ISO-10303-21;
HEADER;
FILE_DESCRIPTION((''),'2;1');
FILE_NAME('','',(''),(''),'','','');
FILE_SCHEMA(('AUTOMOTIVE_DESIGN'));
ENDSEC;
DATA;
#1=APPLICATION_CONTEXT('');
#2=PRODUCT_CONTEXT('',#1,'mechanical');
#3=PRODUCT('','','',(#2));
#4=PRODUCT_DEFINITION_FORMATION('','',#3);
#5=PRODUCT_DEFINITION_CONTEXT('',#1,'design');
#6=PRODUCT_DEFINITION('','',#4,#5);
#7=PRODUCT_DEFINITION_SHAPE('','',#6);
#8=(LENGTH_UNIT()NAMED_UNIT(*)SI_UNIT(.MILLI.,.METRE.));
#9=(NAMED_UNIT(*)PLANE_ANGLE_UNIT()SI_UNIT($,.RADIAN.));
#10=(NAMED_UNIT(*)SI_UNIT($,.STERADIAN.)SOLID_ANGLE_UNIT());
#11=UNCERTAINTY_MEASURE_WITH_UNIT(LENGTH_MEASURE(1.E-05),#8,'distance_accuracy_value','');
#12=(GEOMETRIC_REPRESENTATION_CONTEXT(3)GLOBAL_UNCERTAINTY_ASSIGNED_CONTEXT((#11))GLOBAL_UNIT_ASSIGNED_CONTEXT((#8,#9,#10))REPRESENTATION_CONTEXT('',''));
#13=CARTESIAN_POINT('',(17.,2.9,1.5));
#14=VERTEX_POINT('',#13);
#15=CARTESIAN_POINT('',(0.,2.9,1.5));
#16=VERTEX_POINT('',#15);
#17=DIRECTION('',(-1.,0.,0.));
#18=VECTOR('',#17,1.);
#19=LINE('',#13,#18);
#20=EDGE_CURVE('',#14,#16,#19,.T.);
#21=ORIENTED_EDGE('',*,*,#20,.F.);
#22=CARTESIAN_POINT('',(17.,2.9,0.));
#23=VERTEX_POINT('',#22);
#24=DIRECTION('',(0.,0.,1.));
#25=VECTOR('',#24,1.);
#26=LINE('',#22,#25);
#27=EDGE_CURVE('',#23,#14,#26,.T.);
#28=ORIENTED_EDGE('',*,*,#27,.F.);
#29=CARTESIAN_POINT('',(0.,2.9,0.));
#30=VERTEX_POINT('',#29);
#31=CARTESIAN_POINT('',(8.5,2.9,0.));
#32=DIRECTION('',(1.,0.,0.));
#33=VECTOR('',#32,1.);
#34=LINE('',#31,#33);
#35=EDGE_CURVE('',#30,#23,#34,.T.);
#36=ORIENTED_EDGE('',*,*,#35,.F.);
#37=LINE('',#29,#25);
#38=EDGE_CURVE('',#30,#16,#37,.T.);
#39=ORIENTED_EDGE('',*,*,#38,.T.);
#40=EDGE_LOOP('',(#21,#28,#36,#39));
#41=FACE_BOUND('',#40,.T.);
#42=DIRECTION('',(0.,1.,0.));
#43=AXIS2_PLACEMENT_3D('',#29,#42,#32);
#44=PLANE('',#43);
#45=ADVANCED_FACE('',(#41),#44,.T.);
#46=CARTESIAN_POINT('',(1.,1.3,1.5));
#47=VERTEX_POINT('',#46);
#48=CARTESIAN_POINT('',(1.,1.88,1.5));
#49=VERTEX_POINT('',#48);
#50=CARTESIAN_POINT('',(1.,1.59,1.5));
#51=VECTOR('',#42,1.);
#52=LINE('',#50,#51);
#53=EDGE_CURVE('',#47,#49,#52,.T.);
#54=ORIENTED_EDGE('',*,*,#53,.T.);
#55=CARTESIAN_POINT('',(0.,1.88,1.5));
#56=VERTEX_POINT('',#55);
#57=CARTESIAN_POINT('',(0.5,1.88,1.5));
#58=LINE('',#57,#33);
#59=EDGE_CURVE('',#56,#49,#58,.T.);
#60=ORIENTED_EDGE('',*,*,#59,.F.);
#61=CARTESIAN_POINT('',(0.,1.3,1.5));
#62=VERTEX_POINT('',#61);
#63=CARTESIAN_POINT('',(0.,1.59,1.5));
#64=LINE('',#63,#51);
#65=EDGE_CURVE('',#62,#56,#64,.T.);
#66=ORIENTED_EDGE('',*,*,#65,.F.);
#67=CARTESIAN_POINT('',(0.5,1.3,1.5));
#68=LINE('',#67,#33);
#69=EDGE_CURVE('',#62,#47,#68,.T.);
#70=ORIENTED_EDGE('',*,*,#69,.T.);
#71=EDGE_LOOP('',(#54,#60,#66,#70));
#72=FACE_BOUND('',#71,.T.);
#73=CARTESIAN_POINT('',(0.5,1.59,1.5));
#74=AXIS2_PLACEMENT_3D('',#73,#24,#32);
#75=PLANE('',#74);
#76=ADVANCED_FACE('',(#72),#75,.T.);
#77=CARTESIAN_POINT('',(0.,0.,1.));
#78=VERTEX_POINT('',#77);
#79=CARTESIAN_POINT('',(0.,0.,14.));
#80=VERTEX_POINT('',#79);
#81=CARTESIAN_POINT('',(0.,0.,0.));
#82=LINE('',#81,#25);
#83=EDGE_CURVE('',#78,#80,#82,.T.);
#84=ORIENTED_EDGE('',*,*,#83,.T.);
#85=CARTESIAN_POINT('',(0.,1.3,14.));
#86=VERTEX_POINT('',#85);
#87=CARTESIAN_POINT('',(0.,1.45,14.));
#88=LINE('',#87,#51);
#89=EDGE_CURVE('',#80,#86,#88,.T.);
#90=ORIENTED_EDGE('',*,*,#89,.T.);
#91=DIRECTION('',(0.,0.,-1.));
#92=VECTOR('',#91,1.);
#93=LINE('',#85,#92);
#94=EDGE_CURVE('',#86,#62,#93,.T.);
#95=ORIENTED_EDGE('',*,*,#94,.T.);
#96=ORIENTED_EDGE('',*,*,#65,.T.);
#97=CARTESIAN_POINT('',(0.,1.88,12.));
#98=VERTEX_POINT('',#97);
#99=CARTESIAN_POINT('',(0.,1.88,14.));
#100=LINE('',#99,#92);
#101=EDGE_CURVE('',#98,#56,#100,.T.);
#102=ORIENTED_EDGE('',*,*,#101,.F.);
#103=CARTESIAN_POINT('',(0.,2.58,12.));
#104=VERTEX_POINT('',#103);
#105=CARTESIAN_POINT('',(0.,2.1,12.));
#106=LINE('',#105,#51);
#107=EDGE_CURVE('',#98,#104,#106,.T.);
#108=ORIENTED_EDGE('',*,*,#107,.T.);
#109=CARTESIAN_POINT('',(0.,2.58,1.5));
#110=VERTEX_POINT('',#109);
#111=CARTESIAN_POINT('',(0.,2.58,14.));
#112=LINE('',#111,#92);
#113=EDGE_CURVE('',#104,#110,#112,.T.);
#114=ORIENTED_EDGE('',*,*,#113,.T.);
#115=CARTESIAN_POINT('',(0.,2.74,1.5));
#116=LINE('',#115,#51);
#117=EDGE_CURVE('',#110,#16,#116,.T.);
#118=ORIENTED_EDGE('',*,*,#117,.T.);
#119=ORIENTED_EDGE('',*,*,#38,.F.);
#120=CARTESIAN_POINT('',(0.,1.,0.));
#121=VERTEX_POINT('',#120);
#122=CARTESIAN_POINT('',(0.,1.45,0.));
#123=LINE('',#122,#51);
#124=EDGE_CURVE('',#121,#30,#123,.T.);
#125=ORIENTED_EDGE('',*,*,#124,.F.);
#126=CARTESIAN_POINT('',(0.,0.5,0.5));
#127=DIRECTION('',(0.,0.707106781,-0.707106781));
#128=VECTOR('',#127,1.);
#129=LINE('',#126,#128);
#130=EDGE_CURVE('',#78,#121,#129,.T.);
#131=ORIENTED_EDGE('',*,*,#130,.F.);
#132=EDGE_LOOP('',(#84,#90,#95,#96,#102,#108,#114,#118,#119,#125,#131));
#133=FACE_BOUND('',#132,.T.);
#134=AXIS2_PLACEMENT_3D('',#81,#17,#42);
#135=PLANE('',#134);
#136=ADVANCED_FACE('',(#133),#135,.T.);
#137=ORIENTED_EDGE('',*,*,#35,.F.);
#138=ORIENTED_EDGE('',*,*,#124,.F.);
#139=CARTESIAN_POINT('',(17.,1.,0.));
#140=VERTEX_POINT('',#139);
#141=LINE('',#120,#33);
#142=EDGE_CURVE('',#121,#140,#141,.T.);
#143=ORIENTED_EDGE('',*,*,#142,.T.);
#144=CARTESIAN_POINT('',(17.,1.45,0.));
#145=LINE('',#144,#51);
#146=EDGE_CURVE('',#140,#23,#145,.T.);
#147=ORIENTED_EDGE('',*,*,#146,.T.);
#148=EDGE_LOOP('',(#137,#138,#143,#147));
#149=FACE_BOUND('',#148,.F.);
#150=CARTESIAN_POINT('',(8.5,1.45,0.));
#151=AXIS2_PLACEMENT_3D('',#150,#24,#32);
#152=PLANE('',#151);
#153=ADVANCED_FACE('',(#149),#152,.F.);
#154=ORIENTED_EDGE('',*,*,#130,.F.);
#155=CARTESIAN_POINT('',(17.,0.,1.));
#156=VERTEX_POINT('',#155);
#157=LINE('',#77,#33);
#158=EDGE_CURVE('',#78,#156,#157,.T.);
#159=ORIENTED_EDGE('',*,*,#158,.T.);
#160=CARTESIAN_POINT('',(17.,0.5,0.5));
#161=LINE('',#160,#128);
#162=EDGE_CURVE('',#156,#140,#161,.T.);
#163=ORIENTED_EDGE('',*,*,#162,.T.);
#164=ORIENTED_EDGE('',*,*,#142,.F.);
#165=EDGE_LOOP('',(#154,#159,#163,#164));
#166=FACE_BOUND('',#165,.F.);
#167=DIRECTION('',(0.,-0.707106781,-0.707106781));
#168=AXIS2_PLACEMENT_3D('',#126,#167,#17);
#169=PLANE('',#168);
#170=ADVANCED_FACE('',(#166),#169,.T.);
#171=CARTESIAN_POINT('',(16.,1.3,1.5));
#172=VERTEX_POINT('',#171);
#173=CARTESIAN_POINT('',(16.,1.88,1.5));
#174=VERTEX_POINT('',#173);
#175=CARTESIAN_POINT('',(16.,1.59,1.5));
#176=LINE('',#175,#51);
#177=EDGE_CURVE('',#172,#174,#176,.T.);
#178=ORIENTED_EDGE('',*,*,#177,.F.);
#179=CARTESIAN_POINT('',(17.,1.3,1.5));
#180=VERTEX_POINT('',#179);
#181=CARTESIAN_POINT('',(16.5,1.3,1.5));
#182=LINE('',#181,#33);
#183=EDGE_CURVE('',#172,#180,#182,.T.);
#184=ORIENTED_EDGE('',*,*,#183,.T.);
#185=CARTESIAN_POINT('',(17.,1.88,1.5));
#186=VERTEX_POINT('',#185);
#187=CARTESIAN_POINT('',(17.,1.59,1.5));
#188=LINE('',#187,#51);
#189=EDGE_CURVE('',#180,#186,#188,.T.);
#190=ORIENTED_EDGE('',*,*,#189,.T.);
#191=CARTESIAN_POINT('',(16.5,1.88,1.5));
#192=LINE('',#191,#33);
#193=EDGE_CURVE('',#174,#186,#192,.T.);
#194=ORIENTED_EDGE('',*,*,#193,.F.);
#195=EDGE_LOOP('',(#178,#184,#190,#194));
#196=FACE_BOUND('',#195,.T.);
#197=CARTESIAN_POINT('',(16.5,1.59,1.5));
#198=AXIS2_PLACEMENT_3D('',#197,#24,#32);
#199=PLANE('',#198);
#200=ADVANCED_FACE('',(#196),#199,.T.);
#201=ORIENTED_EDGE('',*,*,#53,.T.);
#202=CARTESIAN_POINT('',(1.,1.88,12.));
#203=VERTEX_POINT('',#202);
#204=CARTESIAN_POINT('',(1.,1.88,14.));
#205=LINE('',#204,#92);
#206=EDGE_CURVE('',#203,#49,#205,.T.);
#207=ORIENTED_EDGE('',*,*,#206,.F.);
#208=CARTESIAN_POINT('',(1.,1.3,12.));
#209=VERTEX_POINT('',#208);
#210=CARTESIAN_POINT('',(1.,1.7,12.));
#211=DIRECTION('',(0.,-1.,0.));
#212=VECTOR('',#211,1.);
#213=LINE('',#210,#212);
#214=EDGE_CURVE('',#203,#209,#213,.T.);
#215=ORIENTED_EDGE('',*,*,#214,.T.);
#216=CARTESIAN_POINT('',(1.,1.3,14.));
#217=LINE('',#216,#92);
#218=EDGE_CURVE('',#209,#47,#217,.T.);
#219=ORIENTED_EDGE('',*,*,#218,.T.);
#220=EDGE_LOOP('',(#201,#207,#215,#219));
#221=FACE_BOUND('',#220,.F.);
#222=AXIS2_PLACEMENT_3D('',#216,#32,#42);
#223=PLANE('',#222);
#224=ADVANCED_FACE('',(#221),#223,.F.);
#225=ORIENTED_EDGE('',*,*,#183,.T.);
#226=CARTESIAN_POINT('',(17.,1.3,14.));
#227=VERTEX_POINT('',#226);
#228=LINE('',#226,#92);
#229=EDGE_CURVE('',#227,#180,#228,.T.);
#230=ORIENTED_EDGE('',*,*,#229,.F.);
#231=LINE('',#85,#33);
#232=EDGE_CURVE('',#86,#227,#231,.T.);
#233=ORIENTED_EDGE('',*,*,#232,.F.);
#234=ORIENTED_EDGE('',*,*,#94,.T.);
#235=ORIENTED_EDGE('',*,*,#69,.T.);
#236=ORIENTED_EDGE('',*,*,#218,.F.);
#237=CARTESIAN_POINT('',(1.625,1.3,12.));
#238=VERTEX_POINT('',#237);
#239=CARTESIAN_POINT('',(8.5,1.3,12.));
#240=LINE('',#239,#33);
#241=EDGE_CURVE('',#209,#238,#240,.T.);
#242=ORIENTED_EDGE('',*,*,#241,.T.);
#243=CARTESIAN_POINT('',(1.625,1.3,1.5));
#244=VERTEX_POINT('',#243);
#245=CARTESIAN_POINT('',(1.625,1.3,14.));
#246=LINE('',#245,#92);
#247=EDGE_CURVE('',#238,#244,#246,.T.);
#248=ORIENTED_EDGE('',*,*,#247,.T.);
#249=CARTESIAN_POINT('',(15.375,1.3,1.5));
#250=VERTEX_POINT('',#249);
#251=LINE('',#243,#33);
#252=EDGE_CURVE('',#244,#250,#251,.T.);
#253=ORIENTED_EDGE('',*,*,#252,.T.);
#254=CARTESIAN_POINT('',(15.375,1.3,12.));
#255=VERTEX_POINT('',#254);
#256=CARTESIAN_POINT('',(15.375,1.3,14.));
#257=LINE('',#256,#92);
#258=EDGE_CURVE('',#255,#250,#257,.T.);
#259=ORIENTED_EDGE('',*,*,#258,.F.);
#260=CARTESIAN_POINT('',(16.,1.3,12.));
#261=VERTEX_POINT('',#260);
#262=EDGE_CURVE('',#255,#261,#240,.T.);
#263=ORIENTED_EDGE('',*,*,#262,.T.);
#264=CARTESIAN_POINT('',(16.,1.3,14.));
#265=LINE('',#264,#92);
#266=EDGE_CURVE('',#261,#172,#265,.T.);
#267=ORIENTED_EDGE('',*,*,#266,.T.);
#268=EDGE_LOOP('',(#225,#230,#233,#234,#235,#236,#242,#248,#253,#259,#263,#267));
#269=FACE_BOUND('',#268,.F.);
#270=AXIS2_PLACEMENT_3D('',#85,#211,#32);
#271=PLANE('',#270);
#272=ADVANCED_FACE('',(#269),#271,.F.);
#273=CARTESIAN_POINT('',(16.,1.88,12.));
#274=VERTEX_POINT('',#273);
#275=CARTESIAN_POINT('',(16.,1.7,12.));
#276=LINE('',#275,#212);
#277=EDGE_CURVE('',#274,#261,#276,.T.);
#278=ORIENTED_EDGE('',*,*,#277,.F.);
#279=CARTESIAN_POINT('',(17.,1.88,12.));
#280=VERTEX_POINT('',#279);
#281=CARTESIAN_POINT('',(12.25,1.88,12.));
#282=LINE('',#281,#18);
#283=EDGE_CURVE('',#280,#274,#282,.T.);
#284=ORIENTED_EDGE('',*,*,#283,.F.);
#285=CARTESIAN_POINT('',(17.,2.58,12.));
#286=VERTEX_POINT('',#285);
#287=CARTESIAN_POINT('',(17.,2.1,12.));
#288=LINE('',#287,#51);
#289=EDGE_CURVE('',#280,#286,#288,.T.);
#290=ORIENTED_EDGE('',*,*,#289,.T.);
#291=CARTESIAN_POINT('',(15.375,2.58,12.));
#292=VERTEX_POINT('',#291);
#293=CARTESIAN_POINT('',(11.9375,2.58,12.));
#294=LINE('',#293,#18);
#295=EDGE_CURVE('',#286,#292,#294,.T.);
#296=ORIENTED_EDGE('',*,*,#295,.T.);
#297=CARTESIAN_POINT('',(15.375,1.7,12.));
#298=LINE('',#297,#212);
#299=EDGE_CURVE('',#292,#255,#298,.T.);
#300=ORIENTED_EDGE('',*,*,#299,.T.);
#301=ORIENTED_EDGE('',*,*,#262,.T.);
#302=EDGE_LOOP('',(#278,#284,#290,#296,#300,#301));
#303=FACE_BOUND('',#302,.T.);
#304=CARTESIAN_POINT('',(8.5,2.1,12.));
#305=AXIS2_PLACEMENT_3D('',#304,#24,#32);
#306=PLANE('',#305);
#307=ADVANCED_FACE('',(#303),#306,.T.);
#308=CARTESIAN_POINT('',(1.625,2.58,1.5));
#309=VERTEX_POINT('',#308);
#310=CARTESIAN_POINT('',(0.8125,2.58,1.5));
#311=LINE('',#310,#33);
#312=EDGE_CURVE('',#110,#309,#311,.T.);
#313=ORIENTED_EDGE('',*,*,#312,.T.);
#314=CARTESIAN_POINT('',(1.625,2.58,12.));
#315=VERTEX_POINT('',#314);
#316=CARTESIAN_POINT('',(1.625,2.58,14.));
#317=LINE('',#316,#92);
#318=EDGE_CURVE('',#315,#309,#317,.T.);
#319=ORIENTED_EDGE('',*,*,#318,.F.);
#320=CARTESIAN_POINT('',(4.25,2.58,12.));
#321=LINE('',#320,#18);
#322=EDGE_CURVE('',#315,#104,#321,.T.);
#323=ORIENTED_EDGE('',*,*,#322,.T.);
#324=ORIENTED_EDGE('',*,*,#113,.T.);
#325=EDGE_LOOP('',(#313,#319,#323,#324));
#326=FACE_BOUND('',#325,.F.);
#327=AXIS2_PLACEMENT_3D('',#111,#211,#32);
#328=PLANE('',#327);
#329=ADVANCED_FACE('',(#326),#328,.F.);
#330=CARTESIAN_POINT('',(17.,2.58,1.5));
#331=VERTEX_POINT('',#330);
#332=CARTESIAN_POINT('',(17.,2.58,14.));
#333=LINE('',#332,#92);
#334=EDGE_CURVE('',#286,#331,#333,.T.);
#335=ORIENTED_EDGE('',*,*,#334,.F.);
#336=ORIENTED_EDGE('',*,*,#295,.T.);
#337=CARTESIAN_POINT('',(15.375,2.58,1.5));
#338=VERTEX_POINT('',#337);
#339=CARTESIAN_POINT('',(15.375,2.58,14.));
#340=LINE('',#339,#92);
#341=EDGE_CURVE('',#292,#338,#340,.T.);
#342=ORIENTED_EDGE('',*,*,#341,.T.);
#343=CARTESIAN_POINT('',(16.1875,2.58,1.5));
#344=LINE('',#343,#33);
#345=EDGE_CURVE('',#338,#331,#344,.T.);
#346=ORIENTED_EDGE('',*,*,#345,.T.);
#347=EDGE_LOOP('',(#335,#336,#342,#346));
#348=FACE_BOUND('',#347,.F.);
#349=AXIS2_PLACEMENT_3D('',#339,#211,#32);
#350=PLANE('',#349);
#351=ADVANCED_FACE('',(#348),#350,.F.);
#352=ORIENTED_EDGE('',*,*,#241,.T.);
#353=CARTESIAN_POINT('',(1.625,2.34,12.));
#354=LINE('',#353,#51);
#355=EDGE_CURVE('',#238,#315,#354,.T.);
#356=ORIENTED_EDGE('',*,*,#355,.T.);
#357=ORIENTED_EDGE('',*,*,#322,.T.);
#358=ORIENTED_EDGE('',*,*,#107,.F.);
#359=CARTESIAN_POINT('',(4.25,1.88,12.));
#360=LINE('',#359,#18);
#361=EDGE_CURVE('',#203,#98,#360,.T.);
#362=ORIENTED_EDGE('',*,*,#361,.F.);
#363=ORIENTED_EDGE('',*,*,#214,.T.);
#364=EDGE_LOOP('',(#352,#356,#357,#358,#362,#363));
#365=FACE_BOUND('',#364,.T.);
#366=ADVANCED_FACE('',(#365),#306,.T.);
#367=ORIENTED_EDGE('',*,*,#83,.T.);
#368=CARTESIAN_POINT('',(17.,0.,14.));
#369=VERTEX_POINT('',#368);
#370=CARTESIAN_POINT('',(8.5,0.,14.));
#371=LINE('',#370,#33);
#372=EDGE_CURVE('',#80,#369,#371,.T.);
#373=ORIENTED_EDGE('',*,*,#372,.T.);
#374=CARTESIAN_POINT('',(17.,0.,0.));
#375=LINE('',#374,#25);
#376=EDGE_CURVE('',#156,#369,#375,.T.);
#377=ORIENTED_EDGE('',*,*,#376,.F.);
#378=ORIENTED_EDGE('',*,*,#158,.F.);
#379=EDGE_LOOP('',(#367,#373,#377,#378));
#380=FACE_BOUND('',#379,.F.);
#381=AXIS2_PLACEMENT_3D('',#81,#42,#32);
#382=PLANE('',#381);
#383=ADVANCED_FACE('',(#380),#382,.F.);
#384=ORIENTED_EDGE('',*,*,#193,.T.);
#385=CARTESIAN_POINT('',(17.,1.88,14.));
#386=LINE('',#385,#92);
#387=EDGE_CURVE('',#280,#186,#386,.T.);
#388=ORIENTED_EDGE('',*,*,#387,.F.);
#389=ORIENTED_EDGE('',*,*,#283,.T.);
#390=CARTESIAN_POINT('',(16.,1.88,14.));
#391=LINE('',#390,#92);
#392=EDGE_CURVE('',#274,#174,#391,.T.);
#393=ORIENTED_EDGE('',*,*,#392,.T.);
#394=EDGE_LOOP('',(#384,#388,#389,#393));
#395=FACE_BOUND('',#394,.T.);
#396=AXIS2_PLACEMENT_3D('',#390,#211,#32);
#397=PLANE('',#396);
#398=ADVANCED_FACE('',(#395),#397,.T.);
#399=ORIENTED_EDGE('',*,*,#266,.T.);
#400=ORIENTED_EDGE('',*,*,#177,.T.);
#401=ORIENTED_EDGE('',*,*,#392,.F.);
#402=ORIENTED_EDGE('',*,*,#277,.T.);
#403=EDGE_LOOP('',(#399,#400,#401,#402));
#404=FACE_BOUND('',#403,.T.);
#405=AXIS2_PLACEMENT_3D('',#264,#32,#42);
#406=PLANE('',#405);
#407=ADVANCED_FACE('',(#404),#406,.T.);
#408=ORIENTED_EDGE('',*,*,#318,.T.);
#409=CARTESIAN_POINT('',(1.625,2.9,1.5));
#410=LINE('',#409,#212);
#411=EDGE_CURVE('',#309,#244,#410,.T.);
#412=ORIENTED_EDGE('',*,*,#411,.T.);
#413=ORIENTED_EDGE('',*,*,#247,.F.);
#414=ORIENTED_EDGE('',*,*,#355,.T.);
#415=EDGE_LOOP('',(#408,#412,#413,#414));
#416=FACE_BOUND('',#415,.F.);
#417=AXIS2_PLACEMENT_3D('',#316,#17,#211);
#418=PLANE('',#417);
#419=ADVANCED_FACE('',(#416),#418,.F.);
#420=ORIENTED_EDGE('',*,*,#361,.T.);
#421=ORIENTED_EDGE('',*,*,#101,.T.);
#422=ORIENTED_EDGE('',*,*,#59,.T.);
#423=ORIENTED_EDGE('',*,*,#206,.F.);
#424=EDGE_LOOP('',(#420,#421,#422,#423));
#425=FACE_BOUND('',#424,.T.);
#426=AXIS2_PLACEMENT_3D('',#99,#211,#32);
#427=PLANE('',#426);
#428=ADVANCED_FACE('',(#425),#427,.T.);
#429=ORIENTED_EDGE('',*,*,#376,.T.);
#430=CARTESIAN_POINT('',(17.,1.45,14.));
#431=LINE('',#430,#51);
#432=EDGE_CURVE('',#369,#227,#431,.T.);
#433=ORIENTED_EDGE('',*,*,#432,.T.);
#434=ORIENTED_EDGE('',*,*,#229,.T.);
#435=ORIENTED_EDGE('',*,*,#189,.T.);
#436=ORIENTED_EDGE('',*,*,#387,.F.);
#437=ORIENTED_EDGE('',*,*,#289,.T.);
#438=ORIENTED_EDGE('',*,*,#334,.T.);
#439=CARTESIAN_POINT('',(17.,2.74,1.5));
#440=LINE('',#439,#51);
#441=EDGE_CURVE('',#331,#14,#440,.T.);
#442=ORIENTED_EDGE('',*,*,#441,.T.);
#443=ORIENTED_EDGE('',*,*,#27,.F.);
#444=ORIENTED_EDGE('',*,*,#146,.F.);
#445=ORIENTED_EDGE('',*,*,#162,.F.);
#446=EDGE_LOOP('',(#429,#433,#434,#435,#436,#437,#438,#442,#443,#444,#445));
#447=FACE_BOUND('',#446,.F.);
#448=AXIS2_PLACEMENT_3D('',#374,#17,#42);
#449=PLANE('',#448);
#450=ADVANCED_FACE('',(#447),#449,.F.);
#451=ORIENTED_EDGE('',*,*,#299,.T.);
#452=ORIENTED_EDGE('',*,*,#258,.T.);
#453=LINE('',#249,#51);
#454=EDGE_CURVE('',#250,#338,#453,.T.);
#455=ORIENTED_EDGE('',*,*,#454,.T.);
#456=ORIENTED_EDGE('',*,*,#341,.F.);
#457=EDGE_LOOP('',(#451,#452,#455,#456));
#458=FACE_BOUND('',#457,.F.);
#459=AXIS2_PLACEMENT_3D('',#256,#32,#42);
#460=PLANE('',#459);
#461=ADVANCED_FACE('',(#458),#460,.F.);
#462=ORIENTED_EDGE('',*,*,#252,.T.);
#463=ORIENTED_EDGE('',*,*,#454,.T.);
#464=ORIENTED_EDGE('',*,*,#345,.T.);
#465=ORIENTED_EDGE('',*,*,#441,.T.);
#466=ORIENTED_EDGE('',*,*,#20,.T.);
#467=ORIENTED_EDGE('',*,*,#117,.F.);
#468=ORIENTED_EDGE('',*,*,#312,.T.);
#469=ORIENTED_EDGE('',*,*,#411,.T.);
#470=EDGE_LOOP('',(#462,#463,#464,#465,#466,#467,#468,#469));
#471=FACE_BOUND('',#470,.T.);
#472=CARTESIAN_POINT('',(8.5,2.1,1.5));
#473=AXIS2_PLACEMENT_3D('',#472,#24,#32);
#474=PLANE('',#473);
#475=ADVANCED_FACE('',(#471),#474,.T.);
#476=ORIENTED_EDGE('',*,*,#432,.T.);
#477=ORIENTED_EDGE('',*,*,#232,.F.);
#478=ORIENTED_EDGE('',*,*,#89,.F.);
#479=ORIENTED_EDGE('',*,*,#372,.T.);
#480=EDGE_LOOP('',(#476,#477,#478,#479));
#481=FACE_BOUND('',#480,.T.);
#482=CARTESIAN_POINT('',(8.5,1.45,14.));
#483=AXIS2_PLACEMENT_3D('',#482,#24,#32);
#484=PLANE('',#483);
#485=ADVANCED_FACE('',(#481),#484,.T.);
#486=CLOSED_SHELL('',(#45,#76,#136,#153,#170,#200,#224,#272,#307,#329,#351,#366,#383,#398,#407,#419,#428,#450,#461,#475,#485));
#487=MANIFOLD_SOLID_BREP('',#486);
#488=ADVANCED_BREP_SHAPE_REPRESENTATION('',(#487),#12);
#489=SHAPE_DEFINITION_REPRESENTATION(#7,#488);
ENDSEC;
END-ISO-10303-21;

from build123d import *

# Parameters (mm, degrees)
F0_W     = 17
F0_H     = 2.9
F1_DEPTH = 14
F2_W     = 1.625
F2_H     = 0.32
F2_W_2   = 1
F2_H_2   = 0.58
F3_DEPTH = 12.5
F4_W     = 17
F4_H     = 1.6
F5_DEPTH = 2
F6_SIZE  = 1


with BuildPart() as f1:
    # F0 (on Top) → F1 (new body)
    with BuildSketch(Plane.XY):
        with Locations((8.5, 1.45)):
            Rectangle(F0_W, F0_H)
    extrude(amount=F1_DEPTH)

    # F2 (on face) → F3 (cut)
    with BuildSketch(Plane.XY.offset(14)):
        Polygon((15.375, 2.9), (8.5, 2.9), (1.625, 2.9), (1.625, 2.58), (1.625, 1.3), (15.375, 1.3), (15.375, 2.58), align=None)
        with Locations((16.1875, 2.74)):
            Rectangle(F2_W, F2_H)
        with Locations((0.8125, 2.74)):
            Rectangle(F2_W, F2_H)
        with Locations((16.5, 1.59)):
            Rectangle(F2_W_2, F2_H_2)
        with Locations((0.5, 1.59)):
            Rectangle(F2_W_2, F2_H_2)
    extrude(amount=-F3_DEPTH, mode=Mode.SUBTRACT)

    # F4 (on face) → F5 (cut)
    with BuildSketch(Plane.XY.offset(14)):
        with Locations((8.5, 2.1)):
            Rectangle(F4_W, F4_H)
    extrude(amount=-F5_DEPTH, mode=Mode.SUBTRACT)

    # F6
    f6_edges = [f1.edges().sort_by_distance(p)[0] for p in [
        (8.5, 0, 0),
    ]]
    chamfer(f6_edges, length=F6_SIZE)


solid = f1.part
